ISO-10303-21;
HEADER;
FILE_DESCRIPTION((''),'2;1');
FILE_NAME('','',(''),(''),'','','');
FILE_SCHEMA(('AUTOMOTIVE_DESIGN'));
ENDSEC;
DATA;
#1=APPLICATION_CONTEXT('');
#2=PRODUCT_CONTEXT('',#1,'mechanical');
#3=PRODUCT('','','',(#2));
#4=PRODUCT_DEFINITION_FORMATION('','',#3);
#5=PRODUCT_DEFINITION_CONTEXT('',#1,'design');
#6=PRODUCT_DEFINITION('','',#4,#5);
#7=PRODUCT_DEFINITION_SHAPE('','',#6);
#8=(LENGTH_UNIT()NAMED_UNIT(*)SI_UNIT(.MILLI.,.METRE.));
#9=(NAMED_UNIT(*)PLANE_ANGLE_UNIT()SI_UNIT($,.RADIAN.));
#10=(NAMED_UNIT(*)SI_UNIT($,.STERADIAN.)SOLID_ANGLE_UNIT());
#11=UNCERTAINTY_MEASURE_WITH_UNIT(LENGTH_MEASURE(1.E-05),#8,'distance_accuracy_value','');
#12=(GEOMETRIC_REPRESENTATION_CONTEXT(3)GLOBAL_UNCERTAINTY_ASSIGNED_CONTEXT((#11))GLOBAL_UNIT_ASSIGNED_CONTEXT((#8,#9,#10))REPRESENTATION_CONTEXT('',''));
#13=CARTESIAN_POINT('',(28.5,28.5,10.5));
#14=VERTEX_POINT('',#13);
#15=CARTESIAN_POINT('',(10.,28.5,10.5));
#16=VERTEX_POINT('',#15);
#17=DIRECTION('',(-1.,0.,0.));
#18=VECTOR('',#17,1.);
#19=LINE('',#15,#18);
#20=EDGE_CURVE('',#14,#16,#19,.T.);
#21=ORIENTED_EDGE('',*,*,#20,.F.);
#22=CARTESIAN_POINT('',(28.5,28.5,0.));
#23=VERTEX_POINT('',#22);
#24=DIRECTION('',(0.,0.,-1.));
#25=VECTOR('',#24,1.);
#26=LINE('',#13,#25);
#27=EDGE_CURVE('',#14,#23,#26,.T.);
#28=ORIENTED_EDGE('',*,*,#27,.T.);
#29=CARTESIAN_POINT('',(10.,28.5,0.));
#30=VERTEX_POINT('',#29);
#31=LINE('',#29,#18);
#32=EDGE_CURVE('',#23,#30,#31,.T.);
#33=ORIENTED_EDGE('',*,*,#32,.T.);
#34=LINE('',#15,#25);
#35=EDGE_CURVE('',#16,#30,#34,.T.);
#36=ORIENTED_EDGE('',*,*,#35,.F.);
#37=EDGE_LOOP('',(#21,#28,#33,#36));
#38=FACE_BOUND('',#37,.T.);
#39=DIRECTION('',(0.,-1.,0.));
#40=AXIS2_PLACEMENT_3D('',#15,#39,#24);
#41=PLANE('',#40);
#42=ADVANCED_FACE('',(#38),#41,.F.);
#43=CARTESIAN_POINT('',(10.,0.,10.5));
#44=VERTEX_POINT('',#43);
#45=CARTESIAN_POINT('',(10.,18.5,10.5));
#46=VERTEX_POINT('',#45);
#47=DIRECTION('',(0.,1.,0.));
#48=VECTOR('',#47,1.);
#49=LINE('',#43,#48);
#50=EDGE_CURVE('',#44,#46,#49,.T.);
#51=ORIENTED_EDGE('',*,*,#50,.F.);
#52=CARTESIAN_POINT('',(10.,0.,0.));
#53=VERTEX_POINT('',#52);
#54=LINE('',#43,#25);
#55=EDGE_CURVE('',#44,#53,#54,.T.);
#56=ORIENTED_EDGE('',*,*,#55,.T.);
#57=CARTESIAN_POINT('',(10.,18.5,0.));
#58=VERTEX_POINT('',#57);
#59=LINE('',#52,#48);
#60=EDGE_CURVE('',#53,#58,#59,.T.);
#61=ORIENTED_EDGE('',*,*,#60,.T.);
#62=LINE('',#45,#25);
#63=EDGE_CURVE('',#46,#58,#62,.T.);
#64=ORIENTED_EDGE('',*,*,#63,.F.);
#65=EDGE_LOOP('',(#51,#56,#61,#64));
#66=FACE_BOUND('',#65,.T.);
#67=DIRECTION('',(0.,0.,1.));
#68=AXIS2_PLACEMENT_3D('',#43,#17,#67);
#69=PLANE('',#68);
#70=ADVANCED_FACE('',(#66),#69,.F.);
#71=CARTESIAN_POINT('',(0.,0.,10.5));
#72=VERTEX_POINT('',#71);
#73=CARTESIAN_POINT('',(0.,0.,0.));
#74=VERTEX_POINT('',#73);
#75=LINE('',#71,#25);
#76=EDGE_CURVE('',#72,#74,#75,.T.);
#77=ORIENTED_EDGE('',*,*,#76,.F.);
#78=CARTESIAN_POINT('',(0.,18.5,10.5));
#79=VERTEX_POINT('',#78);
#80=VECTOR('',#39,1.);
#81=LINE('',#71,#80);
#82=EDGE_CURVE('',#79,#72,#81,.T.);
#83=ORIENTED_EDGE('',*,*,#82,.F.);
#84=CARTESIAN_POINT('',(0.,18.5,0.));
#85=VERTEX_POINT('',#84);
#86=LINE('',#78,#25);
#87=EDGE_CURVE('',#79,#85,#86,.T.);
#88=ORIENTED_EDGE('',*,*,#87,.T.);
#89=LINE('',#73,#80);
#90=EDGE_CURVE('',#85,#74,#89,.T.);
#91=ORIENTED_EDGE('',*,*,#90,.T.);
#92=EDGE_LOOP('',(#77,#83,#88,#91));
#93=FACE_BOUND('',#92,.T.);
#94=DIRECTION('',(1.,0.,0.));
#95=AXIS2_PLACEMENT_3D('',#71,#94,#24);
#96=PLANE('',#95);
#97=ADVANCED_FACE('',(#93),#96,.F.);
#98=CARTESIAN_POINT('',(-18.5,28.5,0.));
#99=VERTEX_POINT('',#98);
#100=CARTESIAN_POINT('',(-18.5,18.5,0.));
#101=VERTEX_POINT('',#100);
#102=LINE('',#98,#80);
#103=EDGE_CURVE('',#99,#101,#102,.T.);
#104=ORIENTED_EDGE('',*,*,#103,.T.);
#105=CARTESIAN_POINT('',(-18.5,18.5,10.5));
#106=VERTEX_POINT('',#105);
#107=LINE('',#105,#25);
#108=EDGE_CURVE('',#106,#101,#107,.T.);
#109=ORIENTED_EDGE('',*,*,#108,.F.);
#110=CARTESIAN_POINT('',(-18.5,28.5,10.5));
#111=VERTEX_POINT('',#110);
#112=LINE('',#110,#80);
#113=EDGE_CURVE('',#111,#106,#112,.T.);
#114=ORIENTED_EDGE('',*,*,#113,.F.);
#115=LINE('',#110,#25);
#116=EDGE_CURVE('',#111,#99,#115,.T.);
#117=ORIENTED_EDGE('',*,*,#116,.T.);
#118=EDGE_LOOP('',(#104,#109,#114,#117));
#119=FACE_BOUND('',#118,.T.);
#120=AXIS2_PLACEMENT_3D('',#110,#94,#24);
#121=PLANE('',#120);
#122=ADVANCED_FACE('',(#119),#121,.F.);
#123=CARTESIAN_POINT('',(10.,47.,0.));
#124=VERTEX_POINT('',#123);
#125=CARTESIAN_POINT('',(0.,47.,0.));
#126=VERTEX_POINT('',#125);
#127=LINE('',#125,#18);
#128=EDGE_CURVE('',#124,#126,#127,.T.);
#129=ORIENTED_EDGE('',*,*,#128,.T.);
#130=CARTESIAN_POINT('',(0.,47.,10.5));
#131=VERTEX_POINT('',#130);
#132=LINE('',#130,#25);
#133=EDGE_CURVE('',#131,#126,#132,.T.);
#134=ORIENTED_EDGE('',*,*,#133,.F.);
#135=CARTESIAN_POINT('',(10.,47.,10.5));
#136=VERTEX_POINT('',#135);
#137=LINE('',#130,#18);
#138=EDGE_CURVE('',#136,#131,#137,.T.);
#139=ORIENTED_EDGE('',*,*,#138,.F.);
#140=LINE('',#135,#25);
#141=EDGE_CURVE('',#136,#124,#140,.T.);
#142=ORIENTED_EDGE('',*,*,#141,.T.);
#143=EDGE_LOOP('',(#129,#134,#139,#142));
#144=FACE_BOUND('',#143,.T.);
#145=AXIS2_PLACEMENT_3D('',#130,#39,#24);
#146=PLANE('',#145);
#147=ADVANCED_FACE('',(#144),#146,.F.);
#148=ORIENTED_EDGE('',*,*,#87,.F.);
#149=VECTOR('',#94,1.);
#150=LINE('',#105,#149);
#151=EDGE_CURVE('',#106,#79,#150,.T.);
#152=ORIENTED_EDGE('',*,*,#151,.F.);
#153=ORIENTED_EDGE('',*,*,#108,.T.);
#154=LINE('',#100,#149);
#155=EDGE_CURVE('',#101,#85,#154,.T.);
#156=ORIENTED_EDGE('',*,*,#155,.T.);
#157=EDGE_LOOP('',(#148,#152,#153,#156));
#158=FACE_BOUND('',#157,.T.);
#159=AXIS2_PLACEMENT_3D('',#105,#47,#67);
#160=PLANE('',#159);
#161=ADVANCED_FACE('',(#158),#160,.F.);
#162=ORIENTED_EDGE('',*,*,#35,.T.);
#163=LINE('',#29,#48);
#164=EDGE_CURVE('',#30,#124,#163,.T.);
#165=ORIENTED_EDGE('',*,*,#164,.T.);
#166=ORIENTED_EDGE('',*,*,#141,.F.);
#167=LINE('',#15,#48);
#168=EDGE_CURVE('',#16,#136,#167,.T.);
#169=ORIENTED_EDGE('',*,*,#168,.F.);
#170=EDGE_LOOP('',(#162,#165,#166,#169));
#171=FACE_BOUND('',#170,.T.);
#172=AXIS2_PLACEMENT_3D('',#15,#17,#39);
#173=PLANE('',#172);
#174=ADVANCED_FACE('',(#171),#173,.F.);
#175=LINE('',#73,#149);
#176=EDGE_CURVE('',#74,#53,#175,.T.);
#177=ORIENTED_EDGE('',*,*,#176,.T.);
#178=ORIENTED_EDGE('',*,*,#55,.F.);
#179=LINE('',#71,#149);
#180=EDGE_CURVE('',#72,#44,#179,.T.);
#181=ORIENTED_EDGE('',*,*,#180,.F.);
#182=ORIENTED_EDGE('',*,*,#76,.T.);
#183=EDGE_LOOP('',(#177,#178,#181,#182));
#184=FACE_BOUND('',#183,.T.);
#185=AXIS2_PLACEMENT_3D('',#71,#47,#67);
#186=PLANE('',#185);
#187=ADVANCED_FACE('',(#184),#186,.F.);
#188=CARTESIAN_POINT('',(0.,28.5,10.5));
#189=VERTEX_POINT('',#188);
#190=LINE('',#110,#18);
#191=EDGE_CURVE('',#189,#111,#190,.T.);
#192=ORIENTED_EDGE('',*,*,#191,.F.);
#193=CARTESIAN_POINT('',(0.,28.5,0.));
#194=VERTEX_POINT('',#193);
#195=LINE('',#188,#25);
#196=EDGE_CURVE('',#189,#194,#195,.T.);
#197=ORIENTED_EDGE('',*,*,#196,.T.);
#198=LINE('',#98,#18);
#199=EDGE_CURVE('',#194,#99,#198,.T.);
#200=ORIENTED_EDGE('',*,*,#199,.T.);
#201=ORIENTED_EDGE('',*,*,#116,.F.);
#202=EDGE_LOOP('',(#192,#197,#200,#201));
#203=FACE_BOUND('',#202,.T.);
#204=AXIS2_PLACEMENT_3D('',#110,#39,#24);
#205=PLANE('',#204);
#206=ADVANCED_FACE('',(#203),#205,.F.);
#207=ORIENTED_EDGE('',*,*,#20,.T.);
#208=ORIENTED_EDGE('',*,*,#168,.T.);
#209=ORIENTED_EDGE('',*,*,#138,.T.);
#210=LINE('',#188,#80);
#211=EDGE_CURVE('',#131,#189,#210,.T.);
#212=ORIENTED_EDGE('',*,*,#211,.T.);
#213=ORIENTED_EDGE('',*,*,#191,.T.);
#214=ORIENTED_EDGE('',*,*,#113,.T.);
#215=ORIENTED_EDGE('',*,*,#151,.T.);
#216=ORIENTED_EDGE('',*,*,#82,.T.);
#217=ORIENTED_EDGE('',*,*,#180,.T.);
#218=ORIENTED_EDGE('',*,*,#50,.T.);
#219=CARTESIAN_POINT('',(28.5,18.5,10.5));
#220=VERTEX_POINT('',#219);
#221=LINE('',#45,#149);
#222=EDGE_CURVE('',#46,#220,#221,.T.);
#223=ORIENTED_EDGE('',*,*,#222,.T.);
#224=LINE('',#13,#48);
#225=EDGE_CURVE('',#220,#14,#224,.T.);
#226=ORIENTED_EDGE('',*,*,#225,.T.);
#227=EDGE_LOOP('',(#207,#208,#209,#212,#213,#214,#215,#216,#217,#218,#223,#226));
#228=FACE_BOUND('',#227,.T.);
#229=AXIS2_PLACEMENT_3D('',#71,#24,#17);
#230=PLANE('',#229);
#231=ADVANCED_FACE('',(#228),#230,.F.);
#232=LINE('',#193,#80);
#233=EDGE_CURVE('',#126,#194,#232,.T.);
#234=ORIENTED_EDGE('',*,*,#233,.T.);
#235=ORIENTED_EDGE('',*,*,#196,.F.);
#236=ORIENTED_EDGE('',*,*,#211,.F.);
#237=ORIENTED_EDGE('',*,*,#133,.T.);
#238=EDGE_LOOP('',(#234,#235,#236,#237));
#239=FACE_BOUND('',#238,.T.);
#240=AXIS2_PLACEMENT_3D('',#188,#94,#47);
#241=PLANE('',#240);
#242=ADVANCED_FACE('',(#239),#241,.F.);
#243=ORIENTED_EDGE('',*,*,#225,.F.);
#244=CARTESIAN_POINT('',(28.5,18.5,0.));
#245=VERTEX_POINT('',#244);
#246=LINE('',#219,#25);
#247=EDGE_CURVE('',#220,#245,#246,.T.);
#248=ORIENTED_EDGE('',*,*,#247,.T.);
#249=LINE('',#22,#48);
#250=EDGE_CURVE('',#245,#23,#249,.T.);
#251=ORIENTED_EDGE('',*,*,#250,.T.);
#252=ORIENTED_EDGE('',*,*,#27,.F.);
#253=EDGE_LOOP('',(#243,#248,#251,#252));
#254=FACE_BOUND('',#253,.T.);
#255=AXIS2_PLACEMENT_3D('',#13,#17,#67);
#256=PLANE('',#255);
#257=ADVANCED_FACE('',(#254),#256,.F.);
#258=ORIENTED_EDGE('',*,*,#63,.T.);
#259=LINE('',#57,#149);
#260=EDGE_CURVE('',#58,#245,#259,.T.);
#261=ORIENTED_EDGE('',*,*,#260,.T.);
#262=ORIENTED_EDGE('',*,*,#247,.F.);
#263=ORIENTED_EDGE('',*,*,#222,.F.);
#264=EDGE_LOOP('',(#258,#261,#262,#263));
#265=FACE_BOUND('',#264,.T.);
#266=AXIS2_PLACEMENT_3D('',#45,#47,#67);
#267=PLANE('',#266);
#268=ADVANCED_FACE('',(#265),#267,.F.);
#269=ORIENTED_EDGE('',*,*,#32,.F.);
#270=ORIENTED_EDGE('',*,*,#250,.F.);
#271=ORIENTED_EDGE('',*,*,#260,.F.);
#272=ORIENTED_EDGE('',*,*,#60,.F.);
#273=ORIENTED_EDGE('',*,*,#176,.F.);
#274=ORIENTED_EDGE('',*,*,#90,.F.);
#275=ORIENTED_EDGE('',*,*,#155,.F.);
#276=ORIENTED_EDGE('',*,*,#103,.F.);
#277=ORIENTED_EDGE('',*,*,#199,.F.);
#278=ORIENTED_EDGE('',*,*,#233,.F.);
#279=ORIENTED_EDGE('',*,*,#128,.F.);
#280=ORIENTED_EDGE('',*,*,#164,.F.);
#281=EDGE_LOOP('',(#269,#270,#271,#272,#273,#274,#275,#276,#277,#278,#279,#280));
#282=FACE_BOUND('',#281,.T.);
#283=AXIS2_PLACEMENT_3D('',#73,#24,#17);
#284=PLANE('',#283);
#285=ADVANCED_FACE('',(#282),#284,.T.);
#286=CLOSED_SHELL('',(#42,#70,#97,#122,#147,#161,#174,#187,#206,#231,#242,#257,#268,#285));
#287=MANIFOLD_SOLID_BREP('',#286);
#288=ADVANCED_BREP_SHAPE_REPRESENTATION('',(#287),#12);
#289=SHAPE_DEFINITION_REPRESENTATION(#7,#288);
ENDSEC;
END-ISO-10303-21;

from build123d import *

# Parameters (mm, degrees)
EXTRUDE_1_DEPTH = 10.5


with BuildPart() as part:
    # Эскиз1 → Бобышка-Вытянуть1 (new body)
    with BuildSketch(Plane.XY):
        Polygon((0, 28.5), (0, 47), (10, 47), (10, 28.5), (28.5, 28.5), (28.5, 18.5), (10, 18.5), (10, 0), (0, 0), (0, 18.5), (-18.5, 18.5), (-18.5, 28.5), align=None)
    extrude(amount=EXTRUDE_1_DEPTH)


solid = part.part
